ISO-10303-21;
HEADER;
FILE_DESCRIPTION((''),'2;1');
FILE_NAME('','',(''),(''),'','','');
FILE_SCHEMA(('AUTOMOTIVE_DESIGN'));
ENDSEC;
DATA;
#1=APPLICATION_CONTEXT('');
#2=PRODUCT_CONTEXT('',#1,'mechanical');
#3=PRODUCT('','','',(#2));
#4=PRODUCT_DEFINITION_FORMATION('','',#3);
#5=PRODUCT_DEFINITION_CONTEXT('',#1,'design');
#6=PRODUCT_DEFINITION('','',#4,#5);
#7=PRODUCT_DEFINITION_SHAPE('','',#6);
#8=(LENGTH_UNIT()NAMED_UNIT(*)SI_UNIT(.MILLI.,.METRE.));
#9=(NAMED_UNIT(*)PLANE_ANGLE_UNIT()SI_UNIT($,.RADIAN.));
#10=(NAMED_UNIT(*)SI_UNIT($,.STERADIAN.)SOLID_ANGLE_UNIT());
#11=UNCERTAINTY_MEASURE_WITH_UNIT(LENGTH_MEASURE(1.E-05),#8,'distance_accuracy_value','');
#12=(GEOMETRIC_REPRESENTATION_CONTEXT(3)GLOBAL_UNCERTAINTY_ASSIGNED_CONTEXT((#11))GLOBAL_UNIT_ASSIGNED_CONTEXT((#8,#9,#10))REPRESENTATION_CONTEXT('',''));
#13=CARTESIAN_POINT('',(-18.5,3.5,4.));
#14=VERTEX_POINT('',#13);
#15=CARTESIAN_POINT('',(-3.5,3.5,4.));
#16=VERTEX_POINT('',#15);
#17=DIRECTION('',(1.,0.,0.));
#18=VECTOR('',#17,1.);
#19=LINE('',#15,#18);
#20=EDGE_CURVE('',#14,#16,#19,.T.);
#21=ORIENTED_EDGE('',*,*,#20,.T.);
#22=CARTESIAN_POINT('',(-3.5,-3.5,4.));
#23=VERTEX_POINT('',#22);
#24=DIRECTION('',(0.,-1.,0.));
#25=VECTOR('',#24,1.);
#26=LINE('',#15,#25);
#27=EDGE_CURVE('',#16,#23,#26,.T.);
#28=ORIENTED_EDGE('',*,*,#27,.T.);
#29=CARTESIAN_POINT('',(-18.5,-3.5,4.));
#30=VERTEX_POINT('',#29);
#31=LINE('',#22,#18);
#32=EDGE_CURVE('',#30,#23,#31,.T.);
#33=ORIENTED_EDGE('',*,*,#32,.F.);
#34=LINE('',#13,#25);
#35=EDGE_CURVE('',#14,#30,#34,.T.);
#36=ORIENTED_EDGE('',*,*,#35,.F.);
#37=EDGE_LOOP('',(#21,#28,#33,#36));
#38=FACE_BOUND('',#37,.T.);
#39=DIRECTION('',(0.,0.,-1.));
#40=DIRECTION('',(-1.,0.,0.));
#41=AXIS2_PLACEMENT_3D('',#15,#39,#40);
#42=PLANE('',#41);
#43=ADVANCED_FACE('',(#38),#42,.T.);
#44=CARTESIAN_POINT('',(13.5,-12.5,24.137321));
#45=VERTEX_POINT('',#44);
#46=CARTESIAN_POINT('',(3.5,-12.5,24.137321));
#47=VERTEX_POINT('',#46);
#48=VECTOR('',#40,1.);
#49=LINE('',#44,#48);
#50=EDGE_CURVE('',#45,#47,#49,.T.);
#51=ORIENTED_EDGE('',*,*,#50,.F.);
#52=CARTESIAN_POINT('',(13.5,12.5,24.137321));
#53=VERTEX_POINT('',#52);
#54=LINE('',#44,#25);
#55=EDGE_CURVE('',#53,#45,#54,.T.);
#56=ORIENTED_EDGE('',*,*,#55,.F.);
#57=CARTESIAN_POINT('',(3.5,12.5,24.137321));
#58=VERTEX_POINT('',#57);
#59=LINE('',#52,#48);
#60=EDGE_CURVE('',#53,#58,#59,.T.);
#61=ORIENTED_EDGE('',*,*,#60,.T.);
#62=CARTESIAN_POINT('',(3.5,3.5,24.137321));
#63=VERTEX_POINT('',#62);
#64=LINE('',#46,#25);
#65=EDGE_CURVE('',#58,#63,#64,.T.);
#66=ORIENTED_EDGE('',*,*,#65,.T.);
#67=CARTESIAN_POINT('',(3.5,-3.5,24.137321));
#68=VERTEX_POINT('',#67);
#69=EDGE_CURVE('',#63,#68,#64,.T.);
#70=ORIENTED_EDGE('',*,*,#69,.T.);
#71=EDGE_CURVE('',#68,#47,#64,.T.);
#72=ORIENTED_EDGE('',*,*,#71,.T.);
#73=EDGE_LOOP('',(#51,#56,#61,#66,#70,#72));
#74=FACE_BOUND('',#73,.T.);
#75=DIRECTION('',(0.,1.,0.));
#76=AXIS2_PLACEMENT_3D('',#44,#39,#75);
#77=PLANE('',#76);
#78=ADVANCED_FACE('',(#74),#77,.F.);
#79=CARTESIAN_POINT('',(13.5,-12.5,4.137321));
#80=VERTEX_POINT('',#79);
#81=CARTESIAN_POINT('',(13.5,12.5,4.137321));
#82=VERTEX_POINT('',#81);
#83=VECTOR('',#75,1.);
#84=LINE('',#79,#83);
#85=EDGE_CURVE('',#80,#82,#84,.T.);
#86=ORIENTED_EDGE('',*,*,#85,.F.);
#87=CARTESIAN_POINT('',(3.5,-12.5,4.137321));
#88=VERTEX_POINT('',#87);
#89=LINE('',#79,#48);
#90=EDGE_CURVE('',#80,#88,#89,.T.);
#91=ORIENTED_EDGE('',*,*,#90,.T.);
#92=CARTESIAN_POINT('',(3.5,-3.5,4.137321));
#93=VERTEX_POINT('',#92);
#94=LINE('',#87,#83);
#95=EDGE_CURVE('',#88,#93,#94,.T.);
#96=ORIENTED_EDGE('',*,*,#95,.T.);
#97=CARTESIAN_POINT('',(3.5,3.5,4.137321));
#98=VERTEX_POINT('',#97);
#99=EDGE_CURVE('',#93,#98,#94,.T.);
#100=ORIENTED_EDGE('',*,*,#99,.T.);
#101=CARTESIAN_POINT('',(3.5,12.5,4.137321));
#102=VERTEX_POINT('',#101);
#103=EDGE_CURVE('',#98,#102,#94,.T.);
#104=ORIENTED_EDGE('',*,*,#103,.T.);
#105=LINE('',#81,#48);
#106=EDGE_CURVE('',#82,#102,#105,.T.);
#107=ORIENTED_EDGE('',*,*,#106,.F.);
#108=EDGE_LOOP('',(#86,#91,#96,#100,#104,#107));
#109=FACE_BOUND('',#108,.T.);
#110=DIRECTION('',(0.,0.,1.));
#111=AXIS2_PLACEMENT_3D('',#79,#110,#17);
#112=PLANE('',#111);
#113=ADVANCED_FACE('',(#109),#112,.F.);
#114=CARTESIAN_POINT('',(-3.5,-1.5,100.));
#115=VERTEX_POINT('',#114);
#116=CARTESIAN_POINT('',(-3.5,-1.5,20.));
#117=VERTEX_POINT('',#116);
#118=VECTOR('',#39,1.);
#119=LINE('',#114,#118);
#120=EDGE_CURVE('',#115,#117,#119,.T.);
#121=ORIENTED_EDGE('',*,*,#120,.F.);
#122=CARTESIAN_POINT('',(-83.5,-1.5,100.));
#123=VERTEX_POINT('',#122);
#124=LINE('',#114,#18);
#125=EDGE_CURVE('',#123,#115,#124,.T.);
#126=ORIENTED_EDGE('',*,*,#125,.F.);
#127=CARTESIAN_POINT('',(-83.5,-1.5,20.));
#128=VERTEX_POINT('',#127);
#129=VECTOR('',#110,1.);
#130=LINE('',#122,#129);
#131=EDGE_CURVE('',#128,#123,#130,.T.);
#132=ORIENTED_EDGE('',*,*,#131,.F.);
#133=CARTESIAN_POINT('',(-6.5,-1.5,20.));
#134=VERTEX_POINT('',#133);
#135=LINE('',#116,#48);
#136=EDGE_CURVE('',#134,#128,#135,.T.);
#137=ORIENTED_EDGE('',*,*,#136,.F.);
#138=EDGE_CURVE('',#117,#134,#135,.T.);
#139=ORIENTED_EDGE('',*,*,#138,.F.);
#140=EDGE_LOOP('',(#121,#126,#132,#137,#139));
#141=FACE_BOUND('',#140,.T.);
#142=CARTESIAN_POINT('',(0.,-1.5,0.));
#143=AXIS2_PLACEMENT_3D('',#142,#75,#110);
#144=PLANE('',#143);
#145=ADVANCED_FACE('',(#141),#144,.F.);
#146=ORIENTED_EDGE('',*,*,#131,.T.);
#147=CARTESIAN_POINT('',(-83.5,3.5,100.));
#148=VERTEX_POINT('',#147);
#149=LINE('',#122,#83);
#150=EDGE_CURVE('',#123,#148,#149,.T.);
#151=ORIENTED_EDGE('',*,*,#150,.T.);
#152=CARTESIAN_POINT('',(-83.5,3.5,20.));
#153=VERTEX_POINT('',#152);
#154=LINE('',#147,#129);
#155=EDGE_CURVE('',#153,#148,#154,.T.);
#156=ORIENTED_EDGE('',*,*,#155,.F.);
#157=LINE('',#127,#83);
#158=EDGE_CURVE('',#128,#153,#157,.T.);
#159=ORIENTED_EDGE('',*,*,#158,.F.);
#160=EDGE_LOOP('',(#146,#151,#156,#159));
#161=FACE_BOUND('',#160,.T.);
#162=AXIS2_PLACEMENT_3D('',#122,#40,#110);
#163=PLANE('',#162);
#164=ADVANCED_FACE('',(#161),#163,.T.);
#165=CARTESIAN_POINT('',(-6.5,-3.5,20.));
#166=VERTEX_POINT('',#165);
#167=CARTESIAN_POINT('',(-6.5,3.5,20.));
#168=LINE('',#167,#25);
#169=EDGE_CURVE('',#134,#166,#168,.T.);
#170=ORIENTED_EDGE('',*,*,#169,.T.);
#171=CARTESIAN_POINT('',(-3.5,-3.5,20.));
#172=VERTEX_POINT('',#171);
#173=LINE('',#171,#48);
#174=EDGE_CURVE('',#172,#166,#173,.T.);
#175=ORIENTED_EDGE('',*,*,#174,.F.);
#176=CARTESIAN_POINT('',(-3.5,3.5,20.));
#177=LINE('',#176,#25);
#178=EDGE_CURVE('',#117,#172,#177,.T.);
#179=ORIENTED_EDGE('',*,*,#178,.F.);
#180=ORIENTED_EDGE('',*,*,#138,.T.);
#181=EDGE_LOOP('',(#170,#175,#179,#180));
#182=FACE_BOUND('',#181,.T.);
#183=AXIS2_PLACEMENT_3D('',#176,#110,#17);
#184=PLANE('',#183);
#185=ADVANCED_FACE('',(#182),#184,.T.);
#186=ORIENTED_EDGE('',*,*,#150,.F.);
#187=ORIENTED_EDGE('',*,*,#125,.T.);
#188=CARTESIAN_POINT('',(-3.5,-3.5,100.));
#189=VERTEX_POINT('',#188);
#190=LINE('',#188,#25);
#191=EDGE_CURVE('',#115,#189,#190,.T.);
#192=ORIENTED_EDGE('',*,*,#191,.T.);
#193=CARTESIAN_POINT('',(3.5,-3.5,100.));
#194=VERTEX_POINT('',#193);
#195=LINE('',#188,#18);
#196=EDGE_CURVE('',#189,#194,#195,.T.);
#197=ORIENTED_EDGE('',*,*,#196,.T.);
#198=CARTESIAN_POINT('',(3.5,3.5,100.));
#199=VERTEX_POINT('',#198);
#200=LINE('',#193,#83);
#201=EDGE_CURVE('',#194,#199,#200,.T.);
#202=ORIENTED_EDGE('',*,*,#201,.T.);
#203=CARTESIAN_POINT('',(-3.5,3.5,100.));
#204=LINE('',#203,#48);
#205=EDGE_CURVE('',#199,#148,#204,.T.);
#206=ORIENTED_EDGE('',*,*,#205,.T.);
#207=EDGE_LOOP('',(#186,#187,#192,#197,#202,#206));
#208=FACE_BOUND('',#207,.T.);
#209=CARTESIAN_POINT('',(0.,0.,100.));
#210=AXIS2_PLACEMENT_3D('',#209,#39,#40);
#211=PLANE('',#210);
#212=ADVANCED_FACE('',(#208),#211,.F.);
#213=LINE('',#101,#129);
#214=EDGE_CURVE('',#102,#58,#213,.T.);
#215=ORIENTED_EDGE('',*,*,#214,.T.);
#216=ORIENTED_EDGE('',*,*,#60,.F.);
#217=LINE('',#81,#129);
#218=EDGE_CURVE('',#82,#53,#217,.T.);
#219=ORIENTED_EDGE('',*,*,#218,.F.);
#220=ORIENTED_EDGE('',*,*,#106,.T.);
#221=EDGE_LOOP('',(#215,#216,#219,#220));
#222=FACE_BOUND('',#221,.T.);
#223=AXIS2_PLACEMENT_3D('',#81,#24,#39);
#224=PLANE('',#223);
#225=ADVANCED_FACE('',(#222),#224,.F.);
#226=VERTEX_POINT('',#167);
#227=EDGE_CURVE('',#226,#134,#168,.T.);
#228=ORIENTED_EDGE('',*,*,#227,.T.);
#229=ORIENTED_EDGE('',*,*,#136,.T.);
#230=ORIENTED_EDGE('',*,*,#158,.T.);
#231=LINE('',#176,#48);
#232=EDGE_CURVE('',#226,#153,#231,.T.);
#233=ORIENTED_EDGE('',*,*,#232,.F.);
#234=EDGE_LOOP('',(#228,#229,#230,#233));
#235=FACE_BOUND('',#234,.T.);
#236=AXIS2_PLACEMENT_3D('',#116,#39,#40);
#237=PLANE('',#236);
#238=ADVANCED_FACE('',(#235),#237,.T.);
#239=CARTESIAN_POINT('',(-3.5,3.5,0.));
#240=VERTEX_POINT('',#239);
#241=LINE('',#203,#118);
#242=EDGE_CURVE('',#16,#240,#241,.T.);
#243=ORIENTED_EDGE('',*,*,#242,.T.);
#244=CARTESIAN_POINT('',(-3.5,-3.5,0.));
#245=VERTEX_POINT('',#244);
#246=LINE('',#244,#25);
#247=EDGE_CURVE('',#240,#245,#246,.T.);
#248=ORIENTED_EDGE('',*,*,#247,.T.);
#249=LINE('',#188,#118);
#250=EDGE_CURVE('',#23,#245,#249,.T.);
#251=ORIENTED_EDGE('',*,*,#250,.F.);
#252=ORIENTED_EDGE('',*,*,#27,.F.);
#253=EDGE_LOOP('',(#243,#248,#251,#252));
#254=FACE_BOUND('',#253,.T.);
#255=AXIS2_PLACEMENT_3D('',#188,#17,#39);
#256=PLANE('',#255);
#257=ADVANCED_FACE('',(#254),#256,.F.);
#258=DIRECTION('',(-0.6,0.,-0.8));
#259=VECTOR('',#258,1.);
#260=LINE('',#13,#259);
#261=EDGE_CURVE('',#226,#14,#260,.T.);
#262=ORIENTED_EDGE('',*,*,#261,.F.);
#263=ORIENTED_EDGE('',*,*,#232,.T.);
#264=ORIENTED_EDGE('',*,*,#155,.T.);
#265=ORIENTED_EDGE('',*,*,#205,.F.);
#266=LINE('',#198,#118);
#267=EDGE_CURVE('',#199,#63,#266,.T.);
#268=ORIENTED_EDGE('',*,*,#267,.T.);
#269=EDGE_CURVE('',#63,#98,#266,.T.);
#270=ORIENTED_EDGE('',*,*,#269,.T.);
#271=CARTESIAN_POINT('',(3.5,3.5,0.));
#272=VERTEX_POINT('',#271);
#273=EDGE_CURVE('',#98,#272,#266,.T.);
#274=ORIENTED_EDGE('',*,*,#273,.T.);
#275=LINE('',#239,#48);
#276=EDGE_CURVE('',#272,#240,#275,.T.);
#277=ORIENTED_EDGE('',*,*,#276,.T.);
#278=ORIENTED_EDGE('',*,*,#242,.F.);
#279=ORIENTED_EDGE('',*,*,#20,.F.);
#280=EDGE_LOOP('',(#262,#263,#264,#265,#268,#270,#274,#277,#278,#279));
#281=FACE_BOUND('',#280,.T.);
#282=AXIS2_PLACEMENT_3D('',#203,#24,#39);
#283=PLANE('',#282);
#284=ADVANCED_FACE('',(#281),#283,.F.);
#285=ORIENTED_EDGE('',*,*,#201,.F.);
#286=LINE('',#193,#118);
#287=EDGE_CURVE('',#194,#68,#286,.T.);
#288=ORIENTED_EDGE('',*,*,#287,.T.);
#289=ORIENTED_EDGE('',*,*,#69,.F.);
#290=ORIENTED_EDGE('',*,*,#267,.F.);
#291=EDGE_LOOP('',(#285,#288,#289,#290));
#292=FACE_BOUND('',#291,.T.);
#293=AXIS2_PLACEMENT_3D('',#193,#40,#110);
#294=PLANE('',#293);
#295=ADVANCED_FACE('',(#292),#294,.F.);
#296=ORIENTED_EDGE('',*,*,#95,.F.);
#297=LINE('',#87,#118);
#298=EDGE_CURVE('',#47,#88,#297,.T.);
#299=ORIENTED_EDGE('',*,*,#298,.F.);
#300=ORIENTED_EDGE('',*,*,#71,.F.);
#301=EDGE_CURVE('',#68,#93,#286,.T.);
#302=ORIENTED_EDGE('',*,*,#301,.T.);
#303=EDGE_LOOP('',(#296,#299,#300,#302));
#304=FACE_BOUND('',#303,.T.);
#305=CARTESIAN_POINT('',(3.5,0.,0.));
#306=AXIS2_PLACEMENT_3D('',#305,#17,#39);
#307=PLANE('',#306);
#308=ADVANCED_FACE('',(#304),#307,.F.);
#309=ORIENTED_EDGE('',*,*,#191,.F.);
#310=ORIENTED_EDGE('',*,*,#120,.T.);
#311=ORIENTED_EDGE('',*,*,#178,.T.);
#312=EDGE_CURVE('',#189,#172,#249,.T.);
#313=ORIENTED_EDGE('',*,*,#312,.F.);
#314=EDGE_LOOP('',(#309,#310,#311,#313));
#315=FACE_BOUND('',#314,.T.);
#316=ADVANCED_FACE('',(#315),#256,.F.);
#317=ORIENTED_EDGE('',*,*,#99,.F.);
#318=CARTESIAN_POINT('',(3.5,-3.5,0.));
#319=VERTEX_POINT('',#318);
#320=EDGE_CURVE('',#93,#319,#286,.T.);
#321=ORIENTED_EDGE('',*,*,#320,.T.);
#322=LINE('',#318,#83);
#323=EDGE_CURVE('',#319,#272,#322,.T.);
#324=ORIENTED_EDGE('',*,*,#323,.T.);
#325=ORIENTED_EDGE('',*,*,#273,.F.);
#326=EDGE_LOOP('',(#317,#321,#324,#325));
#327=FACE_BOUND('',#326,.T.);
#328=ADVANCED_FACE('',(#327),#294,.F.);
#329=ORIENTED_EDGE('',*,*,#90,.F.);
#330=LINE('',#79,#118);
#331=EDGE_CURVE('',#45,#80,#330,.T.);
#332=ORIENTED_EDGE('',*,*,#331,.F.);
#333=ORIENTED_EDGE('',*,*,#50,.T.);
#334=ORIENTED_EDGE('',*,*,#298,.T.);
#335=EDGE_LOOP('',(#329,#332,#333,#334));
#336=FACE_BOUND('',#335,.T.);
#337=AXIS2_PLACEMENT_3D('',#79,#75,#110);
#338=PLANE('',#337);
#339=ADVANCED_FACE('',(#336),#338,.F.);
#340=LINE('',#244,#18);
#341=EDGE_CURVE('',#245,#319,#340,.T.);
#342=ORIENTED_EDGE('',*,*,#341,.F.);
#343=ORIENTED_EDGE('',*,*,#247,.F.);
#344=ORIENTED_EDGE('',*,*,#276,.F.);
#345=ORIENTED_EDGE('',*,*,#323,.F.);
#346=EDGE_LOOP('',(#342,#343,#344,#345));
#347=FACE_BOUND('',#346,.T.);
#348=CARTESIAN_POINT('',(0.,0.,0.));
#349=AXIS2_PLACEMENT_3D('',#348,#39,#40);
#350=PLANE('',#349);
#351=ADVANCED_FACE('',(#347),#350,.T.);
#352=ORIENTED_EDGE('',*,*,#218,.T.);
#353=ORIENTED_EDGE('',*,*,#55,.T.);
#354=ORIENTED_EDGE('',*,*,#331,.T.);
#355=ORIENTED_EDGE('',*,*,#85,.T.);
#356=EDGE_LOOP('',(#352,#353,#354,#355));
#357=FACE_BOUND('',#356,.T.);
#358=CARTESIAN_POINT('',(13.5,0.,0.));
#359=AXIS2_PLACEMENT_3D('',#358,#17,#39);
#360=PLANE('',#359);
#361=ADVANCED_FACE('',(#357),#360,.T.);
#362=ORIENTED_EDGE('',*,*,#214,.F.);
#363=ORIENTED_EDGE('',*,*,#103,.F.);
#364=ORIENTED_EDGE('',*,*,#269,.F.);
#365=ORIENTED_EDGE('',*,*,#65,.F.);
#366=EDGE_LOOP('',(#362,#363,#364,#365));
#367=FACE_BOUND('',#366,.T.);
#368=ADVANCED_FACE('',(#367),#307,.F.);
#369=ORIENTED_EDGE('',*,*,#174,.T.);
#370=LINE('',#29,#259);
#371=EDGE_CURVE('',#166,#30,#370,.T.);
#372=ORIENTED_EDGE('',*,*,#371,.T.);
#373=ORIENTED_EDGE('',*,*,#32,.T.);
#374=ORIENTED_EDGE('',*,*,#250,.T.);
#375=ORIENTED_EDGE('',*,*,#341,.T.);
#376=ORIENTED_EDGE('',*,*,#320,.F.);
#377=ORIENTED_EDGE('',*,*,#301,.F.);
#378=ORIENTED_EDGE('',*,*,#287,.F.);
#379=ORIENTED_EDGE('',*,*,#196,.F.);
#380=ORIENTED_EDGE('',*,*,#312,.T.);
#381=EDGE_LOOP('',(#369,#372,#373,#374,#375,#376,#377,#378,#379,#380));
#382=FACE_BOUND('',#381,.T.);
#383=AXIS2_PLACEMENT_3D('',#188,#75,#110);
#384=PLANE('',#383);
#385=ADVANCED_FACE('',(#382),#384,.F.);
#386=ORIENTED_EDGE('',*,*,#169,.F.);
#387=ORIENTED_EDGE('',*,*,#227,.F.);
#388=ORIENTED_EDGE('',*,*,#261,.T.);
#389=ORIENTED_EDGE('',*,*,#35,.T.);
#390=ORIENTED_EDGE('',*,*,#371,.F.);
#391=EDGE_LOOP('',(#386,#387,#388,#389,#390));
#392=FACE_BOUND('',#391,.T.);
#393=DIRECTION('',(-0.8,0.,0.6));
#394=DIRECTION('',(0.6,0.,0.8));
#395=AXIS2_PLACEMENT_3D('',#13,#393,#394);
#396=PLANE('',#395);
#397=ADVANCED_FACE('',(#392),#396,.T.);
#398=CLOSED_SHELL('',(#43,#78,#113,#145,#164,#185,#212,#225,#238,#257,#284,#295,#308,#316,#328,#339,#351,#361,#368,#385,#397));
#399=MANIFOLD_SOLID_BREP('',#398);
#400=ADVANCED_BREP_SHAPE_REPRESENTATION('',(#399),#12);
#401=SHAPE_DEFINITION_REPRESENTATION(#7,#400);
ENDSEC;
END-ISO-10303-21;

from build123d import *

# Parameters (mm, degrees)
SKETCH1_W           = 7
SKETCH1_H           = 7
BOSS_EXTRUDE1_DEPTH = 100
SKETCH3_W           = 80
SKETCH3_H           = 80
BOSS_EXTRUDE2_DEPTH = 5
BOSS_EXTRUDE5_DEPTH = 7
SKETCH11_W          = 20
SKETCH11_H          = 25
BOSS_EXTRUDE6_DEPTH = 10


with BuildPart() as part:
    # Sketch1 → Boss-Extrude1 (new body)
    with BuildSketch(Plane.XY):
        Rectangle(SKETCH1_W, SKETCH1_H)
    extrude(amount=BOSS_EXTRUDE1_DEPTH)

    # Sketch3 → Boss-Extrude2 (add)
    with BuildSketch(Plane(origin=(0, 3.5, 0), x_dir=(1, 0, 0), z_dir=(0, 1, 0))):
        with Locations((-43.5, -60)):
            Rectangle(SKETCH3_W, SKETCH3_H)
    extrude(amount=-BOSS_EXTRUDE2_DEPTH)

    # Sketch8 → Boss-Extrude5 (add)
    with BuildSketch(Plane.XZ.offset(3.5)):
        Polygon((-3.5, 20), (-6.5, 20), (-18.5, 4), (-3.5, 4), align=None)
    extrude(amount=-BOSS_EXTRUDE5_DEPTH)

    # Sketch11 → Boss-Extrude6 (add)
    with BuildSketch(Plane(origin=(3.5, 0, 0), x_dir=(0, 0, -1), z_dir=(1, 0, 0))):
        with Locations((-14.137320527, 0)):
            Rectangle(SKETCH11_W, SKETCH11_H)
    extrude(amount=BOSS_EXTRUDE6_DEPTH)


solid = part.part
